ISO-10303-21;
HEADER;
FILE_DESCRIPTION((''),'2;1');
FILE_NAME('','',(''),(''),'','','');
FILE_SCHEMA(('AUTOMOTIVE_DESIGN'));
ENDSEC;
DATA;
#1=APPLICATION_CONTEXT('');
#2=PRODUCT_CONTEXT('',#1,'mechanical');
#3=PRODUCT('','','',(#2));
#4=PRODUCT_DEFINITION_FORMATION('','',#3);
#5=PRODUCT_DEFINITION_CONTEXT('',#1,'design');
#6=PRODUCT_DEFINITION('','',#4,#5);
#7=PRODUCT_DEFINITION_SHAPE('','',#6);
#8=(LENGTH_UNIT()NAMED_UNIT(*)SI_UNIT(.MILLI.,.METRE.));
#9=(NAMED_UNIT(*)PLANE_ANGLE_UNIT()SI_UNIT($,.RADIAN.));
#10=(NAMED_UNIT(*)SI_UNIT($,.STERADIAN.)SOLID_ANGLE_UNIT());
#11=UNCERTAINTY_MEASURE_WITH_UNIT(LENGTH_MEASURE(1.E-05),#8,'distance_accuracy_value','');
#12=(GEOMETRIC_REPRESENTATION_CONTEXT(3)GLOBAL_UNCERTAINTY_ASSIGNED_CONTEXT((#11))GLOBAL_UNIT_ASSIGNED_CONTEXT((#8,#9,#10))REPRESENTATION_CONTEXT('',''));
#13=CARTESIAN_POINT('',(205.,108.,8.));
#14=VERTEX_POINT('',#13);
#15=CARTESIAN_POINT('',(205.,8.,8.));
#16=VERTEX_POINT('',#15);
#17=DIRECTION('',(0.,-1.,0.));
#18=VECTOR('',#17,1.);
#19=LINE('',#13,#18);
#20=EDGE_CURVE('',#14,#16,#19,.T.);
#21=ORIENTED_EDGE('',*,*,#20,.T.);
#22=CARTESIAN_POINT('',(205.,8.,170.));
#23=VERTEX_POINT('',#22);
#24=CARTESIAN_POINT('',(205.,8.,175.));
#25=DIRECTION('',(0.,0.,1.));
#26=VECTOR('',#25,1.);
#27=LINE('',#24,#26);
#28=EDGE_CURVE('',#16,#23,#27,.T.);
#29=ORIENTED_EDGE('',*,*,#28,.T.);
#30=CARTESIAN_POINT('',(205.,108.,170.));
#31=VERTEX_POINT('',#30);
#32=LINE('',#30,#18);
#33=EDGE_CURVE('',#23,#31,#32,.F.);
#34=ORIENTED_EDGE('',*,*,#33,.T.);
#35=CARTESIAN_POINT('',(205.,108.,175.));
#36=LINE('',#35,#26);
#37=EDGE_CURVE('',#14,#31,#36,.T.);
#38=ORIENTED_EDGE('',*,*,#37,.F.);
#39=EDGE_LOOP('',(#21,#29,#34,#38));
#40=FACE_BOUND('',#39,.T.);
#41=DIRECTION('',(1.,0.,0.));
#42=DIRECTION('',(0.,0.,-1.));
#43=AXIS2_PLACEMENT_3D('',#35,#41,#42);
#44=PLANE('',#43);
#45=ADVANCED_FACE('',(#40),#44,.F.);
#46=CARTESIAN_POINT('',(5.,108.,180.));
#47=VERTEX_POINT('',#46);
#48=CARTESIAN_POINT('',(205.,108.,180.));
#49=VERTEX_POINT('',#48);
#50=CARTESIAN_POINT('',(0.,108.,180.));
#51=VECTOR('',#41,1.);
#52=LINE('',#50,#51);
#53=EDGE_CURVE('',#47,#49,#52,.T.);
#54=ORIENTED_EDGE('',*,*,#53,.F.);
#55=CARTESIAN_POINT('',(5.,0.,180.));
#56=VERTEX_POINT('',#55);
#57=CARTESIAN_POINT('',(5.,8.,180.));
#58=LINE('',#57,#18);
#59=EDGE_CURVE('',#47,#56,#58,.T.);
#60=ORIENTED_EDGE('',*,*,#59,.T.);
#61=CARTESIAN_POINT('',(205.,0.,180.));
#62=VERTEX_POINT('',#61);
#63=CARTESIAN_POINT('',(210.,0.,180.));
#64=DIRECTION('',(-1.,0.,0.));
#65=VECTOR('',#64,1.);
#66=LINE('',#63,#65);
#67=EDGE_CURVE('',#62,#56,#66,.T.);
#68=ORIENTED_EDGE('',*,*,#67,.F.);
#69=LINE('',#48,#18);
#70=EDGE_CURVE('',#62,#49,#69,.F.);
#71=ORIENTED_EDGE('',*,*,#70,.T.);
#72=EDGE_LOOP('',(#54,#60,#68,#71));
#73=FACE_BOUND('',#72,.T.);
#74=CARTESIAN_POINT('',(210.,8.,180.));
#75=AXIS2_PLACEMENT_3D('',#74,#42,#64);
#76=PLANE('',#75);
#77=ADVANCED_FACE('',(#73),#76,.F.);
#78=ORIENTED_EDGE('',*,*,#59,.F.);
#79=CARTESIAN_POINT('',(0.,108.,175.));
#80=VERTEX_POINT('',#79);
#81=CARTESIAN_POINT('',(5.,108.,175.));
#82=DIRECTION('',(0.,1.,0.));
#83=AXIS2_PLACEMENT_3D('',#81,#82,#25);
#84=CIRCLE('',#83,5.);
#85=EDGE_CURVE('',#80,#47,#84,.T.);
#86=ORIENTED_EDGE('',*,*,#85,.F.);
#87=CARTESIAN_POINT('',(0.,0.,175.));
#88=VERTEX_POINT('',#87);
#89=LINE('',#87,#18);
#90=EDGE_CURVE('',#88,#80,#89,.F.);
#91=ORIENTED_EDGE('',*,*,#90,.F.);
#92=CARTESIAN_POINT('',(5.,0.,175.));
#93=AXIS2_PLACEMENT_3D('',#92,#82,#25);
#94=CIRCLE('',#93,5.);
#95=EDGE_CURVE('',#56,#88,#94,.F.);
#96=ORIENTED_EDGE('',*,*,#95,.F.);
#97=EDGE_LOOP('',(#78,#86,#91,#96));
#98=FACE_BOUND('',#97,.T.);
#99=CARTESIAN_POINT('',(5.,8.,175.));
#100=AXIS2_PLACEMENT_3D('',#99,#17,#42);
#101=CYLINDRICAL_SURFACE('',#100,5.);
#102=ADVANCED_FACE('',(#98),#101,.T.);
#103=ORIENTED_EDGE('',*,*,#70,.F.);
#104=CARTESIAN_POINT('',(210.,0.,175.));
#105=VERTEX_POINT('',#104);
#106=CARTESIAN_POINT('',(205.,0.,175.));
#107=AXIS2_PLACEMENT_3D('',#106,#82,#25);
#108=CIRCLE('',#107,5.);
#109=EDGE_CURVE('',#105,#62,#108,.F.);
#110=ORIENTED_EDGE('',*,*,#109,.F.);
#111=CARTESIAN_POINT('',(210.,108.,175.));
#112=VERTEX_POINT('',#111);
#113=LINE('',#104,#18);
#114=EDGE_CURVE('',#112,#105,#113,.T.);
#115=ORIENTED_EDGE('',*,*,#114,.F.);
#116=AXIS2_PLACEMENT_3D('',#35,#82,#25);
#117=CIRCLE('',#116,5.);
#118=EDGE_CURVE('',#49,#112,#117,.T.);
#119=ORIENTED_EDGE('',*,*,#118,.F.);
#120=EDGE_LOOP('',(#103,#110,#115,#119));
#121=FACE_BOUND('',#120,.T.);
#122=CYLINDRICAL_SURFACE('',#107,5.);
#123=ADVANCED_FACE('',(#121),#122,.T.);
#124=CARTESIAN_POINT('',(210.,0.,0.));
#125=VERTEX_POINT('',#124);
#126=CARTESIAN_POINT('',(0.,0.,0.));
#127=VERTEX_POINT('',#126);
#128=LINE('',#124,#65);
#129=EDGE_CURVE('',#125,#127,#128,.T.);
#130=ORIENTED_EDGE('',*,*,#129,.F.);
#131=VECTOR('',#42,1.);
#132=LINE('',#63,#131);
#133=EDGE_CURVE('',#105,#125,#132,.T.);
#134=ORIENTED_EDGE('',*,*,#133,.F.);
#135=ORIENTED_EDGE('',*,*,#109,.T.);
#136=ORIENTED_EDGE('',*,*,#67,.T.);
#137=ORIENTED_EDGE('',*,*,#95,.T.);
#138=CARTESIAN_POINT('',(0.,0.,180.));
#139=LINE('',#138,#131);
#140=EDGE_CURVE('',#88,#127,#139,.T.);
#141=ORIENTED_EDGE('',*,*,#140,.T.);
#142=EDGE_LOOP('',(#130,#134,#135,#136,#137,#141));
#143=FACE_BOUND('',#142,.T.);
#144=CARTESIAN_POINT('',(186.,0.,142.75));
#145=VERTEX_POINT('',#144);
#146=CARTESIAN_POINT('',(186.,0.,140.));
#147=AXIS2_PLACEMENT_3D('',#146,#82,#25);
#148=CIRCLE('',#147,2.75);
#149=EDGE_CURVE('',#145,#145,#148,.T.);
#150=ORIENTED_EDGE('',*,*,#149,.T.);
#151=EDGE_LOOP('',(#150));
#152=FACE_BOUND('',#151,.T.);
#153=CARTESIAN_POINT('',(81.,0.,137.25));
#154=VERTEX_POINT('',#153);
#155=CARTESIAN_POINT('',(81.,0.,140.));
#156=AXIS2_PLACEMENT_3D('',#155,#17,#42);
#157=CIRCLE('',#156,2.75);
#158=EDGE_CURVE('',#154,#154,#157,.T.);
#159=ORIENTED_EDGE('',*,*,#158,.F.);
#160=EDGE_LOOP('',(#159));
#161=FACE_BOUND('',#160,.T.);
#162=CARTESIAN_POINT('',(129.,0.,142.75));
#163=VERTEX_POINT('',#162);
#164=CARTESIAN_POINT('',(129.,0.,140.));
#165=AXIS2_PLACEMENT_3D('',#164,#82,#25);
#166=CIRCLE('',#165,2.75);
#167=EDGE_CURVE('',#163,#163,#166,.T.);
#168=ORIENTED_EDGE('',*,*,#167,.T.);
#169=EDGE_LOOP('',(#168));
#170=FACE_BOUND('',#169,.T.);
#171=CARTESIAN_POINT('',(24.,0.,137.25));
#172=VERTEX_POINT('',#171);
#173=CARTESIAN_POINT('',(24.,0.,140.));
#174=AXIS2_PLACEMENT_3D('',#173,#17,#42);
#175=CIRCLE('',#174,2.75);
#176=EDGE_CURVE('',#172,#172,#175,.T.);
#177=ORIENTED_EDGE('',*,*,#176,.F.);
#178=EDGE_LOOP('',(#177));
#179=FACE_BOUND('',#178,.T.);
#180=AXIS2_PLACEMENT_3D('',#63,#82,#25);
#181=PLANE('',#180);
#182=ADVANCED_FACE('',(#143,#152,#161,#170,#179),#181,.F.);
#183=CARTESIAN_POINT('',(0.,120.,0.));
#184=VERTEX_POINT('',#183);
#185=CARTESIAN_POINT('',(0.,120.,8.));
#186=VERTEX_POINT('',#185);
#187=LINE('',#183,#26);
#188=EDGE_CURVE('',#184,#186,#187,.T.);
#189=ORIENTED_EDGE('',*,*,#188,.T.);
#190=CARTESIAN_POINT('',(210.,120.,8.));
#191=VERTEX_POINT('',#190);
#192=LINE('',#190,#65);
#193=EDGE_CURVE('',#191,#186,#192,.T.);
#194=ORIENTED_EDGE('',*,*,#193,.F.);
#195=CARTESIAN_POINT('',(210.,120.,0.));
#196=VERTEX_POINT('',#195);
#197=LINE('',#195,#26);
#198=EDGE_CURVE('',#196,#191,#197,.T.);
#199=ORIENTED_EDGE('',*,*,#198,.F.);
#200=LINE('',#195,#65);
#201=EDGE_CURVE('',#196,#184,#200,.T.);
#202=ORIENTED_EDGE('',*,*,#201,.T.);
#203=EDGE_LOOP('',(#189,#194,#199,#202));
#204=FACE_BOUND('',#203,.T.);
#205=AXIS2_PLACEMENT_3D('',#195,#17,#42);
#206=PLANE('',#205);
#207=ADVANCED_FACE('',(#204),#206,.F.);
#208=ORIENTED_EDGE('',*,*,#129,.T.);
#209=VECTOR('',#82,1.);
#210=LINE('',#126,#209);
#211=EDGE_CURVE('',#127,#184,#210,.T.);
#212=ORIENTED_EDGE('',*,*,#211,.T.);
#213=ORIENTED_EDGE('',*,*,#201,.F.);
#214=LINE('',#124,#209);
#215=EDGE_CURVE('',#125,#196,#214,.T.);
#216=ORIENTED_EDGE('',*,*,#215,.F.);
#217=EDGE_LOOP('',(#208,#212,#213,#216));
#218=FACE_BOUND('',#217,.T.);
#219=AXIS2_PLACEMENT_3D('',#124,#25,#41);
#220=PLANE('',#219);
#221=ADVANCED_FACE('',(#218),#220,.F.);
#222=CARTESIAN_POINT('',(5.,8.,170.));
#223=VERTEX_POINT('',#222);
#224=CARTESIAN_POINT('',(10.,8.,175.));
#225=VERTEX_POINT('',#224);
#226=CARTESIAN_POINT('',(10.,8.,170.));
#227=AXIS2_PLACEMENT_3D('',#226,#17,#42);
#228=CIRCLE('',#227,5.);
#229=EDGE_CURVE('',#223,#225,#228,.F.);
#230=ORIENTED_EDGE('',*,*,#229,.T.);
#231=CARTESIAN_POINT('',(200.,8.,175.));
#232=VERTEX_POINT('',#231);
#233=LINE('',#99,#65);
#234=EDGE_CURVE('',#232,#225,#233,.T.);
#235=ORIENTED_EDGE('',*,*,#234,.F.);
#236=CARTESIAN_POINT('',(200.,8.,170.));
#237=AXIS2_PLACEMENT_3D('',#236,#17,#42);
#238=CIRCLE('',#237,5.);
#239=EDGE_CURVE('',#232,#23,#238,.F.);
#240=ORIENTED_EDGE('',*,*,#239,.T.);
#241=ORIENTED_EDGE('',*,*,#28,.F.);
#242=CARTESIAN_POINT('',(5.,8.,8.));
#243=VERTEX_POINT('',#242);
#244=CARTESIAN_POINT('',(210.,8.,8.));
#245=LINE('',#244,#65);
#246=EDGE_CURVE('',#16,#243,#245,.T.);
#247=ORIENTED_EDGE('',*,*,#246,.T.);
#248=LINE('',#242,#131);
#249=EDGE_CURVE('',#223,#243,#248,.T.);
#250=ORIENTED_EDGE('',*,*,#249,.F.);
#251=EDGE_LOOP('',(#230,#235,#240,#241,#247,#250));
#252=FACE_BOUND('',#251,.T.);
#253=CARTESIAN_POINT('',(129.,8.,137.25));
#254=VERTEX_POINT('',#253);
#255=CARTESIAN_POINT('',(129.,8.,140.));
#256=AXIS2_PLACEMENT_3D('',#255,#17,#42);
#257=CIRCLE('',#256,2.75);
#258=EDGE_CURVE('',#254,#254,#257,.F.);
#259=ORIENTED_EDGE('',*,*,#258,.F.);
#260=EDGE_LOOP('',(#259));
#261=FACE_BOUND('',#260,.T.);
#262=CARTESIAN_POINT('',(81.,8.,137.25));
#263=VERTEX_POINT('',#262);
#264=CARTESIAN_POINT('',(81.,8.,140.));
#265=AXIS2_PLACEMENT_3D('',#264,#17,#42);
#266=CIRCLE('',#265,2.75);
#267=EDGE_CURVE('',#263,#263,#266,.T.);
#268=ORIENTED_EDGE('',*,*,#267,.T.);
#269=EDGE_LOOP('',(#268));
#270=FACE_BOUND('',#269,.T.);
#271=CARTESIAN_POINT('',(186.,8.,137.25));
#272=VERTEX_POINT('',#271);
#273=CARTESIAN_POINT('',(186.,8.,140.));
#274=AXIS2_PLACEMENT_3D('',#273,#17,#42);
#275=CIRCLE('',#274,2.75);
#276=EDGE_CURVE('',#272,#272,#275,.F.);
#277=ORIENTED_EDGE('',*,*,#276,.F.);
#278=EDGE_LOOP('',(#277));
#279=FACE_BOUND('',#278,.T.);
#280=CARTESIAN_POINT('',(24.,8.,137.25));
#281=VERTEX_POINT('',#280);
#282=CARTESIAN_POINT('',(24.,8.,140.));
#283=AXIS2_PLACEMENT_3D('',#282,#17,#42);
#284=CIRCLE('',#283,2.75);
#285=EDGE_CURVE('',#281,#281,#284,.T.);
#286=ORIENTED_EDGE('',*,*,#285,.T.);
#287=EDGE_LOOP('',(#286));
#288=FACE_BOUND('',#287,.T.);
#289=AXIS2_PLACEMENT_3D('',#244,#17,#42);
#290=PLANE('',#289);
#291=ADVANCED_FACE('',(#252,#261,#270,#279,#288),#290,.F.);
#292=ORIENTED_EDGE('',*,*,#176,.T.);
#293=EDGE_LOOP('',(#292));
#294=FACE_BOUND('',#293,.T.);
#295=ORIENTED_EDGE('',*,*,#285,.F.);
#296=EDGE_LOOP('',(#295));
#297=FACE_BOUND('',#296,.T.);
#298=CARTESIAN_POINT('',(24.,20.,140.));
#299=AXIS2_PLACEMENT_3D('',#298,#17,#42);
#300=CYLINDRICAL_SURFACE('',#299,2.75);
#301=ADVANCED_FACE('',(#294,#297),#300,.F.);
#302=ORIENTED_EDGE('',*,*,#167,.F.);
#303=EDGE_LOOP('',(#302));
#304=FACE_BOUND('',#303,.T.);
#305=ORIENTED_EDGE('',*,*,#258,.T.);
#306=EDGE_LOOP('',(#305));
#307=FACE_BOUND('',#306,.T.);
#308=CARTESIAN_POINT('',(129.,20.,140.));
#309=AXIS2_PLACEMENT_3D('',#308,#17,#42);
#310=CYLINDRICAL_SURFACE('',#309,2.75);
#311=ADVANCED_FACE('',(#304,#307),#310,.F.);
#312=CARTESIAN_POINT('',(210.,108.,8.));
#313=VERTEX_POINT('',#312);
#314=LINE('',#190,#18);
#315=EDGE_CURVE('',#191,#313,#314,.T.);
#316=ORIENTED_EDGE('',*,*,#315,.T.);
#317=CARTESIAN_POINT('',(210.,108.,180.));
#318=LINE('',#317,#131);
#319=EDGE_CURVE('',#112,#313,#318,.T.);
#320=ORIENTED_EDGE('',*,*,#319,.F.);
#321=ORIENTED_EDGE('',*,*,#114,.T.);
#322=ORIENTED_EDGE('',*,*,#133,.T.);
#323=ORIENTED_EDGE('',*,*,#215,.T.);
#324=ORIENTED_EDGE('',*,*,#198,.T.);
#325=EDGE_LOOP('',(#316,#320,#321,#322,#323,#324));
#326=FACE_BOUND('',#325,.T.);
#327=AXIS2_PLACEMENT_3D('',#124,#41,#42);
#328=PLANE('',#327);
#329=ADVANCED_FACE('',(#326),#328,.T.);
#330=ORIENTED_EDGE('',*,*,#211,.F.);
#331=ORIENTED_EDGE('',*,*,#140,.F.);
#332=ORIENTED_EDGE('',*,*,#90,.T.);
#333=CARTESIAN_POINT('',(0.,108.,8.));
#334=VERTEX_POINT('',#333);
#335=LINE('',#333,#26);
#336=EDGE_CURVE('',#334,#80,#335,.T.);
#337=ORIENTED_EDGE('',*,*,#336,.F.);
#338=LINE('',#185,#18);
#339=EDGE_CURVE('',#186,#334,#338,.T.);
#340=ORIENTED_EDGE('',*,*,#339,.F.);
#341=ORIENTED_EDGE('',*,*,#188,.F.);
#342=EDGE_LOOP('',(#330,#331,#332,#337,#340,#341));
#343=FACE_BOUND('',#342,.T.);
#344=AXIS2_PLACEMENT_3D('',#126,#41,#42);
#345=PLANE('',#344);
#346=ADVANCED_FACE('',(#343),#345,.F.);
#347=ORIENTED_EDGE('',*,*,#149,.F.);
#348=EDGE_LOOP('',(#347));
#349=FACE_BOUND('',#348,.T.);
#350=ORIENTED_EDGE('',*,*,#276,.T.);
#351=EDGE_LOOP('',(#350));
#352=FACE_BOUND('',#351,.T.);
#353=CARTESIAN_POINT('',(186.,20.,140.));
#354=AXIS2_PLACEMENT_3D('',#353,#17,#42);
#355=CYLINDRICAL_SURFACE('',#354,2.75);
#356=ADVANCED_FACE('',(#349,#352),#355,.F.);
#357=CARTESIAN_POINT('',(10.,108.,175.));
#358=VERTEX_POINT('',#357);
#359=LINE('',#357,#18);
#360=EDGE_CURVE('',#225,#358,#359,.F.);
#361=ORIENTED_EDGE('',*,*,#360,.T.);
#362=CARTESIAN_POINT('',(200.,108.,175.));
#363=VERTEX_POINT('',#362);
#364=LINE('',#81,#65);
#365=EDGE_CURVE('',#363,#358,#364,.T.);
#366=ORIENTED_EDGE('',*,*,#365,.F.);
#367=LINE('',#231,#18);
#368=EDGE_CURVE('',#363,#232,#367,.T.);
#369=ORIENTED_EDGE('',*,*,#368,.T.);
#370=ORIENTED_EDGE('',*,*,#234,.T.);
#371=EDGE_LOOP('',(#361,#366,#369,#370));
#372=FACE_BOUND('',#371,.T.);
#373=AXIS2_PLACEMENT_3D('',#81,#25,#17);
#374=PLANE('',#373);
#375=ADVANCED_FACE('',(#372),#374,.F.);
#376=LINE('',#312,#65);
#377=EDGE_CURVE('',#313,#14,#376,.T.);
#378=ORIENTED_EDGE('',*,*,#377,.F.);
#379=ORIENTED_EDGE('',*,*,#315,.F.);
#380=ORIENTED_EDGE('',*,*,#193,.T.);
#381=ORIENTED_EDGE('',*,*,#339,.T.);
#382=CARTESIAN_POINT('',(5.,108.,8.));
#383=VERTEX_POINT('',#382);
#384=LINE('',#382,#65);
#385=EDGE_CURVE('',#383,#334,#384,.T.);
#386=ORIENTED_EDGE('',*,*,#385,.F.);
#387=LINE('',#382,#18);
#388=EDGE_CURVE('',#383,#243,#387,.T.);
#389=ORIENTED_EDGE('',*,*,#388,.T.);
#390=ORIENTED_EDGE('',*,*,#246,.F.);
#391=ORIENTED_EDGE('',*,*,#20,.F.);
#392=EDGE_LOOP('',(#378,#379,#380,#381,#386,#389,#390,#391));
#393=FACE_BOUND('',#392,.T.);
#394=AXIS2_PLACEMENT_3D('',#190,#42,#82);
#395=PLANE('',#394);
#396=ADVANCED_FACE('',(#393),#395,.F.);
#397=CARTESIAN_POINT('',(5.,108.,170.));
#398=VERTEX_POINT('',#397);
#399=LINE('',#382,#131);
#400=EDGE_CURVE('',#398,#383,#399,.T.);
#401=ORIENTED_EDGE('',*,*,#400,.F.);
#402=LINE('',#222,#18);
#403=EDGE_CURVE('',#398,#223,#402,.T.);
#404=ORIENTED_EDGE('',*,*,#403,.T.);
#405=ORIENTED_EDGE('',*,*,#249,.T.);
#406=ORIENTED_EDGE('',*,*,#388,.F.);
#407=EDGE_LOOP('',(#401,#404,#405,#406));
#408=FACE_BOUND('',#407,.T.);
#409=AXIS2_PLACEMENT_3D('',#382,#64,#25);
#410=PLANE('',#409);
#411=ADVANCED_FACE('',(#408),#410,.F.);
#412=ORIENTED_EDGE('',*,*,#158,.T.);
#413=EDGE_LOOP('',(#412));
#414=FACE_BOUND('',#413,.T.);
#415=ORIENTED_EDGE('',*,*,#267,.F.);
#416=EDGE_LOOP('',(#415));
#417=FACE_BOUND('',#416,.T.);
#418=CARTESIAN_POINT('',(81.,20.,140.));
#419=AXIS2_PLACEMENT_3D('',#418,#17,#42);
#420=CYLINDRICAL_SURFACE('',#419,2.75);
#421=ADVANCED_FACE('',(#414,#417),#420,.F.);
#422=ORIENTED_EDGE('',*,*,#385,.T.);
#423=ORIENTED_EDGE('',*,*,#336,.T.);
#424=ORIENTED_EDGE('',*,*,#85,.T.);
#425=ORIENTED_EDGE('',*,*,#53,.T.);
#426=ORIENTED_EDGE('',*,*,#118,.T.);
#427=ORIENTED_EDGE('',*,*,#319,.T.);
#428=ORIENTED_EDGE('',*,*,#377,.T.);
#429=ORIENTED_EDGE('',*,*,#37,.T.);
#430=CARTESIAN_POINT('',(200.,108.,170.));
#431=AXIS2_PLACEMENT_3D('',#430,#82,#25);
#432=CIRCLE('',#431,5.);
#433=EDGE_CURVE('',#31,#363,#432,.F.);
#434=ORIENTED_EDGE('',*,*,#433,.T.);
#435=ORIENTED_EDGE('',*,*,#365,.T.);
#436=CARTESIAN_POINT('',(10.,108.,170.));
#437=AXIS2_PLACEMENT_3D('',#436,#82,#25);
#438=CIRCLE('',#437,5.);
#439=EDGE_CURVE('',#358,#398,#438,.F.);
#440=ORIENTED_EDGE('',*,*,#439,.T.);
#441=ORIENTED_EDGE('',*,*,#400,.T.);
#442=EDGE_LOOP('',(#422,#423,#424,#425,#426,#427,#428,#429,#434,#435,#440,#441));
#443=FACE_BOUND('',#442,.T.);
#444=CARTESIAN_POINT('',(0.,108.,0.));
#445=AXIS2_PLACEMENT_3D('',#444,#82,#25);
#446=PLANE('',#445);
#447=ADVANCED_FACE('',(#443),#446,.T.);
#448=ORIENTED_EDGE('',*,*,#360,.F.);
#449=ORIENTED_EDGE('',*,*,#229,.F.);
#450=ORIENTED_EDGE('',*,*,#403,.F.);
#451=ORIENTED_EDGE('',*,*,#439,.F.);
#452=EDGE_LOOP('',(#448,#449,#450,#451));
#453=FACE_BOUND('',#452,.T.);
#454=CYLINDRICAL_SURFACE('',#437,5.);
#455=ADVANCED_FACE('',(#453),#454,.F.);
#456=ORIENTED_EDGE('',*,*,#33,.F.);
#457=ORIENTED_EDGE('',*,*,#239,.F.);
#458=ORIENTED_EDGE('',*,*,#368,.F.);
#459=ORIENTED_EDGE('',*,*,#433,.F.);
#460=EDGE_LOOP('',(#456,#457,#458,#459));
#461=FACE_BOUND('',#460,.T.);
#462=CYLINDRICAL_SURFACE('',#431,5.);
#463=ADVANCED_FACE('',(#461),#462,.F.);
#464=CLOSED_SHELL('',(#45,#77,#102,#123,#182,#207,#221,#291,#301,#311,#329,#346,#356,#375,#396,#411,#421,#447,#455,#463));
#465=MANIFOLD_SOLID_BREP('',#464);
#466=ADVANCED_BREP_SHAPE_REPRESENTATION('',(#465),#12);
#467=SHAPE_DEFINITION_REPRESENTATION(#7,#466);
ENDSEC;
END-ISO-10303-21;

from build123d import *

# Parameters (mm, degrees)
BOSS_EXTRUDE1_DEPTH = 210
BOSS_EXTRUDE2_DEPTH = 100
SKETCH3_R           = 2.75
CUT_EXTRUDE1_DEPTH  = 20
FILLET1_R           = 5


with BuildPart() as part:
    # Sketch1 → Boss-Extrude1 (new body)
    with BuildSketch(Plane(origin=(0, 0, 0), x_dir=(0, 0, -1), z_dir=(1, 0, 0))):
        Polygon((0, 0), (0, 120), (-8, 120), (-8, 8), (-180, 8), (-180, 0), align=None)
    extrude(amount=BOSS_EXTRUDE1_DEPTH)

    # Sketch2 → Boss-Extrude2 (add)
    with BuildSketch(Plane(origin=(0, 8, 0), x_dir=(1, 0, 0), z_dir=(0, 1, 0))):
        Polygon((5, -8), (5, -175), (205, -175), (205, -8), (210, -8), (210, -180), (0, -180), (0, -8), align=None)
    extrude(amount=BOSS_EXTRUDE2_DEPTH)

    # Sketch3 → Cut-Extrude1 (cut)
    with BuildSketch(Plane.XZ):
        with Locations(Location((24, 140, 0), (0, 0, 270))):
            Circle(SKETCH3_R)
        with Locations(Location((81, 140, 0), (0, 0, 270))):
            Circle(SKETCH3_R)
        with Locations(Location((186, 140, 0), (0, 0, 270))):
            Circle(SKETCH3_R)
        with Locations(Location((129, 140, 0), (0, 0, 270))):
            Circle(SKETCH3_R)
    extrude(amount=-CUT_EXTRUDE1_DEPTH, mode=Mode.SUBTRACT)

    # Fillet1
    fillet1_edges = [part.edges().sort_by_distance(p)[0] for p in [
        (210, 54, 180),
        (205, 58, 175),
        (5, 58, 175),
        (0, 54, 180),
    ]]
    fillet(fillet1_edges, radius=FILLET1_R)


solid = part.part
